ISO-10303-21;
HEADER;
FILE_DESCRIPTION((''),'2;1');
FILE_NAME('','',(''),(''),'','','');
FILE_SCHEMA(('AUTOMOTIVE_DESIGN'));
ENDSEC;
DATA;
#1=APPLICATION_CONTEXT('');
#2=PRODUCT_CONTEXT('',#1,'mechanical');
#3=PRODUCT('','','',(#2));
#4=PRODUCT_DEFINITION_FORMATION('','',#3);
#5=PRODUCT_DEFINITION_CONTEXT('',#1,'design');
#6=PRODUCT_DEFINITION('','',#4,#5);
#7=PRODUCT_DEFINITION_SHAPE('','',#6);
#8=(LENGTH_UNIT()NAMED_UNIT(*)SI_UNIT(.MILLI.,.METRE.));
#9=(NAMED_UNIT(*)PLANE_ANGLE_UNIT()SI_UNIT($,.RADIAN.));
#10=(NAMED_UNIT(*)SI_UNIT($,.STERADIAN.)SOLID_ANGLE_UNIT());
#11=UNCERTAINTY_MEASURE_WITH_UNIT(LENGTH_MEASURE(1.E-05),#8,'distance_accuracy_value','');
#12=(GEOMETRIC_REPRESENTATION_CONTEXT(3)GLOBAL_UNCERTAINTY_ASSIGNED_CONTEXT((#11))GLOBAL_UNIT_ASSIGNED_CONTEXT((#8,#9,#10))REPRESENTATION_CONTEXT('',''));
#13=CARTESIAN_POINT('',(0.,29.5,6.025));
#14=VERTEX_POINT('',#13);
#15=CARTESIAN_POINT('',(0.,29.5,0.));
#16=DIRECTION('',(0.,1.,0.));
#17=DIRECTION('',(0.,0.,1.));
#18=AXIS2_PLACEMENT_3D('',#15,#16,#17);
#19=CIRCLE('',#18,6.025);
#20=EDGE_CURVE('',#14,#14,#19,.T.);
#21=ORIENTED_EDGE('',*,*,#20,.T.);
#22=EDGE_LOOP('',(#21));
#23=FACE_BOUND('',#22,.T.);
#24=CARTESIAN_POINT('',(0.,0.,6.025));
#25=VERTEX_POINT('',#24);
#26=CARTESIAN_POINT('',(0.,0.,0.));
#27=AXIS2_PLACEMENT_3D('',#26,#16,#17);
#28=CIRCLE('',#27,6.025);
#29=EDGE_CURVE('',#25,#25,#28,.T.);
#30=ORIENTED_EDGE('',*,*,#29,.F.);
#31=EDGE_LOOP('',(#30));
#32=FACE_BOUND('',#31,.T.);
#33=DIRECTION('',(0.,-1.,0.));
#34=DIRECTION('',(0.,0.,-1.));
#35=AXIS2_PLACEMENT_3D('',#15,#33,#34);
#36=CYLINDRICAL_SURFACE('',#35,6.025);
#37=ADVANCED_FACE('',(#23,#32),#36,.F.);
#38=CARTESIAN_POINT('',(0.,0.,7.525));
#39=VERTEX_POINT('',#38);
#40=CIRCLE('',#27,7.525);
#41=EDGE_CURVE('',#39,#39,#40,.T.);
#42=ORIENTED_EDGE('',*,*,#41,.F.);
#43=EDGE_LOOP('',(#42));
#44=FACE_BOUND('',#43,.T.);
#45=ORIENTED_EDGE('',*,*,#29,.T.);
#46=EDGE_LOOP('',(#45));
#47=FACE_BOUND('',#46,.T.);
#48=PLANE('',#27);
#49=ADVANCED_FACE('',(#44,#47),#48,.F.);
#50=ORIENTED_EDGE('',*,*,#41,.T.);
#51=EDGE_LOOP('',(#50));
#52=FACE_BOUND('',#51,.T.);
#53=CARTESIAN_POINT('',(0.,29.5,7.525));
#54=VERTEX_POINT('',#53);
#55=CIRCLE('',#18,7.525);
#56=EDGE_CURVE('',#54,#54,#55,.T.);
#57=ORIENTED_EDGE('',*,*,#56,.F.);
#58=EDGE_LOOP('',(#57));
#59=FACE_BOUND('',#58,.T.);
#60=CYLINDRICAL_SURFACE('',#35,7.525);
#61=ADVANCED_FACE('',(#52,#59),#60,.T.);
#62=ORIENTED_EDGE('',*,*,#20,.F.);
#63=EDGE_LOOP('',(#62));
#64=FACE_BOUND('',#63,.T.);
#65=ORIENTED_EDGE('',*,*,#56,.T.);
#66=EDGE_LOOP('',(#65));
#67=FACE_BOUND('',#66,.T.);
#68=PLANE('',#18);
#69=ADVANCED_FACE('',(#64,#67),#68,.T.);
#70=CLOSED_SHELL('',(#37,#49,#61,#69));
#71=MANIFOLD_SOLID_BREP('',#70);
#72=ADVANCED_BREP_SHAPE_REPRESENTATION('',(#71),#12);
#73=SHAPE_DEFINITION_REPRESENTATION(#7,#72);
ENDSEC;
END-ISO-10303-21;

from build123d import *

# Parameters (mm, degrees)
SKETCH1_R           = 7.525
SKETCH1_R_2         = 6.025
BOSS_EXTRUDE1_DEPTH = 29.5


with BuildPart() as part:
    # Sketch1 → Boss-Extrude1 (new body)
    with BuildSketch(Plane(origin=(0, 0, 0), x_dir=(1, 0, 0), z_dir=(0, 1, 0))):
        with Locations(Location((0, 0, 0), (0, 0, 270))):
            Circle(SKETCH1_R)
        with Locations(Location((0, 0, 0), (0, 0, 270))):
            Circle(SKETCH1_R_2, mode=Mode.SUBTRACT)
    extrude(amount=BOSS_EXTRUDE1_DEPTH)


solid = part.part
